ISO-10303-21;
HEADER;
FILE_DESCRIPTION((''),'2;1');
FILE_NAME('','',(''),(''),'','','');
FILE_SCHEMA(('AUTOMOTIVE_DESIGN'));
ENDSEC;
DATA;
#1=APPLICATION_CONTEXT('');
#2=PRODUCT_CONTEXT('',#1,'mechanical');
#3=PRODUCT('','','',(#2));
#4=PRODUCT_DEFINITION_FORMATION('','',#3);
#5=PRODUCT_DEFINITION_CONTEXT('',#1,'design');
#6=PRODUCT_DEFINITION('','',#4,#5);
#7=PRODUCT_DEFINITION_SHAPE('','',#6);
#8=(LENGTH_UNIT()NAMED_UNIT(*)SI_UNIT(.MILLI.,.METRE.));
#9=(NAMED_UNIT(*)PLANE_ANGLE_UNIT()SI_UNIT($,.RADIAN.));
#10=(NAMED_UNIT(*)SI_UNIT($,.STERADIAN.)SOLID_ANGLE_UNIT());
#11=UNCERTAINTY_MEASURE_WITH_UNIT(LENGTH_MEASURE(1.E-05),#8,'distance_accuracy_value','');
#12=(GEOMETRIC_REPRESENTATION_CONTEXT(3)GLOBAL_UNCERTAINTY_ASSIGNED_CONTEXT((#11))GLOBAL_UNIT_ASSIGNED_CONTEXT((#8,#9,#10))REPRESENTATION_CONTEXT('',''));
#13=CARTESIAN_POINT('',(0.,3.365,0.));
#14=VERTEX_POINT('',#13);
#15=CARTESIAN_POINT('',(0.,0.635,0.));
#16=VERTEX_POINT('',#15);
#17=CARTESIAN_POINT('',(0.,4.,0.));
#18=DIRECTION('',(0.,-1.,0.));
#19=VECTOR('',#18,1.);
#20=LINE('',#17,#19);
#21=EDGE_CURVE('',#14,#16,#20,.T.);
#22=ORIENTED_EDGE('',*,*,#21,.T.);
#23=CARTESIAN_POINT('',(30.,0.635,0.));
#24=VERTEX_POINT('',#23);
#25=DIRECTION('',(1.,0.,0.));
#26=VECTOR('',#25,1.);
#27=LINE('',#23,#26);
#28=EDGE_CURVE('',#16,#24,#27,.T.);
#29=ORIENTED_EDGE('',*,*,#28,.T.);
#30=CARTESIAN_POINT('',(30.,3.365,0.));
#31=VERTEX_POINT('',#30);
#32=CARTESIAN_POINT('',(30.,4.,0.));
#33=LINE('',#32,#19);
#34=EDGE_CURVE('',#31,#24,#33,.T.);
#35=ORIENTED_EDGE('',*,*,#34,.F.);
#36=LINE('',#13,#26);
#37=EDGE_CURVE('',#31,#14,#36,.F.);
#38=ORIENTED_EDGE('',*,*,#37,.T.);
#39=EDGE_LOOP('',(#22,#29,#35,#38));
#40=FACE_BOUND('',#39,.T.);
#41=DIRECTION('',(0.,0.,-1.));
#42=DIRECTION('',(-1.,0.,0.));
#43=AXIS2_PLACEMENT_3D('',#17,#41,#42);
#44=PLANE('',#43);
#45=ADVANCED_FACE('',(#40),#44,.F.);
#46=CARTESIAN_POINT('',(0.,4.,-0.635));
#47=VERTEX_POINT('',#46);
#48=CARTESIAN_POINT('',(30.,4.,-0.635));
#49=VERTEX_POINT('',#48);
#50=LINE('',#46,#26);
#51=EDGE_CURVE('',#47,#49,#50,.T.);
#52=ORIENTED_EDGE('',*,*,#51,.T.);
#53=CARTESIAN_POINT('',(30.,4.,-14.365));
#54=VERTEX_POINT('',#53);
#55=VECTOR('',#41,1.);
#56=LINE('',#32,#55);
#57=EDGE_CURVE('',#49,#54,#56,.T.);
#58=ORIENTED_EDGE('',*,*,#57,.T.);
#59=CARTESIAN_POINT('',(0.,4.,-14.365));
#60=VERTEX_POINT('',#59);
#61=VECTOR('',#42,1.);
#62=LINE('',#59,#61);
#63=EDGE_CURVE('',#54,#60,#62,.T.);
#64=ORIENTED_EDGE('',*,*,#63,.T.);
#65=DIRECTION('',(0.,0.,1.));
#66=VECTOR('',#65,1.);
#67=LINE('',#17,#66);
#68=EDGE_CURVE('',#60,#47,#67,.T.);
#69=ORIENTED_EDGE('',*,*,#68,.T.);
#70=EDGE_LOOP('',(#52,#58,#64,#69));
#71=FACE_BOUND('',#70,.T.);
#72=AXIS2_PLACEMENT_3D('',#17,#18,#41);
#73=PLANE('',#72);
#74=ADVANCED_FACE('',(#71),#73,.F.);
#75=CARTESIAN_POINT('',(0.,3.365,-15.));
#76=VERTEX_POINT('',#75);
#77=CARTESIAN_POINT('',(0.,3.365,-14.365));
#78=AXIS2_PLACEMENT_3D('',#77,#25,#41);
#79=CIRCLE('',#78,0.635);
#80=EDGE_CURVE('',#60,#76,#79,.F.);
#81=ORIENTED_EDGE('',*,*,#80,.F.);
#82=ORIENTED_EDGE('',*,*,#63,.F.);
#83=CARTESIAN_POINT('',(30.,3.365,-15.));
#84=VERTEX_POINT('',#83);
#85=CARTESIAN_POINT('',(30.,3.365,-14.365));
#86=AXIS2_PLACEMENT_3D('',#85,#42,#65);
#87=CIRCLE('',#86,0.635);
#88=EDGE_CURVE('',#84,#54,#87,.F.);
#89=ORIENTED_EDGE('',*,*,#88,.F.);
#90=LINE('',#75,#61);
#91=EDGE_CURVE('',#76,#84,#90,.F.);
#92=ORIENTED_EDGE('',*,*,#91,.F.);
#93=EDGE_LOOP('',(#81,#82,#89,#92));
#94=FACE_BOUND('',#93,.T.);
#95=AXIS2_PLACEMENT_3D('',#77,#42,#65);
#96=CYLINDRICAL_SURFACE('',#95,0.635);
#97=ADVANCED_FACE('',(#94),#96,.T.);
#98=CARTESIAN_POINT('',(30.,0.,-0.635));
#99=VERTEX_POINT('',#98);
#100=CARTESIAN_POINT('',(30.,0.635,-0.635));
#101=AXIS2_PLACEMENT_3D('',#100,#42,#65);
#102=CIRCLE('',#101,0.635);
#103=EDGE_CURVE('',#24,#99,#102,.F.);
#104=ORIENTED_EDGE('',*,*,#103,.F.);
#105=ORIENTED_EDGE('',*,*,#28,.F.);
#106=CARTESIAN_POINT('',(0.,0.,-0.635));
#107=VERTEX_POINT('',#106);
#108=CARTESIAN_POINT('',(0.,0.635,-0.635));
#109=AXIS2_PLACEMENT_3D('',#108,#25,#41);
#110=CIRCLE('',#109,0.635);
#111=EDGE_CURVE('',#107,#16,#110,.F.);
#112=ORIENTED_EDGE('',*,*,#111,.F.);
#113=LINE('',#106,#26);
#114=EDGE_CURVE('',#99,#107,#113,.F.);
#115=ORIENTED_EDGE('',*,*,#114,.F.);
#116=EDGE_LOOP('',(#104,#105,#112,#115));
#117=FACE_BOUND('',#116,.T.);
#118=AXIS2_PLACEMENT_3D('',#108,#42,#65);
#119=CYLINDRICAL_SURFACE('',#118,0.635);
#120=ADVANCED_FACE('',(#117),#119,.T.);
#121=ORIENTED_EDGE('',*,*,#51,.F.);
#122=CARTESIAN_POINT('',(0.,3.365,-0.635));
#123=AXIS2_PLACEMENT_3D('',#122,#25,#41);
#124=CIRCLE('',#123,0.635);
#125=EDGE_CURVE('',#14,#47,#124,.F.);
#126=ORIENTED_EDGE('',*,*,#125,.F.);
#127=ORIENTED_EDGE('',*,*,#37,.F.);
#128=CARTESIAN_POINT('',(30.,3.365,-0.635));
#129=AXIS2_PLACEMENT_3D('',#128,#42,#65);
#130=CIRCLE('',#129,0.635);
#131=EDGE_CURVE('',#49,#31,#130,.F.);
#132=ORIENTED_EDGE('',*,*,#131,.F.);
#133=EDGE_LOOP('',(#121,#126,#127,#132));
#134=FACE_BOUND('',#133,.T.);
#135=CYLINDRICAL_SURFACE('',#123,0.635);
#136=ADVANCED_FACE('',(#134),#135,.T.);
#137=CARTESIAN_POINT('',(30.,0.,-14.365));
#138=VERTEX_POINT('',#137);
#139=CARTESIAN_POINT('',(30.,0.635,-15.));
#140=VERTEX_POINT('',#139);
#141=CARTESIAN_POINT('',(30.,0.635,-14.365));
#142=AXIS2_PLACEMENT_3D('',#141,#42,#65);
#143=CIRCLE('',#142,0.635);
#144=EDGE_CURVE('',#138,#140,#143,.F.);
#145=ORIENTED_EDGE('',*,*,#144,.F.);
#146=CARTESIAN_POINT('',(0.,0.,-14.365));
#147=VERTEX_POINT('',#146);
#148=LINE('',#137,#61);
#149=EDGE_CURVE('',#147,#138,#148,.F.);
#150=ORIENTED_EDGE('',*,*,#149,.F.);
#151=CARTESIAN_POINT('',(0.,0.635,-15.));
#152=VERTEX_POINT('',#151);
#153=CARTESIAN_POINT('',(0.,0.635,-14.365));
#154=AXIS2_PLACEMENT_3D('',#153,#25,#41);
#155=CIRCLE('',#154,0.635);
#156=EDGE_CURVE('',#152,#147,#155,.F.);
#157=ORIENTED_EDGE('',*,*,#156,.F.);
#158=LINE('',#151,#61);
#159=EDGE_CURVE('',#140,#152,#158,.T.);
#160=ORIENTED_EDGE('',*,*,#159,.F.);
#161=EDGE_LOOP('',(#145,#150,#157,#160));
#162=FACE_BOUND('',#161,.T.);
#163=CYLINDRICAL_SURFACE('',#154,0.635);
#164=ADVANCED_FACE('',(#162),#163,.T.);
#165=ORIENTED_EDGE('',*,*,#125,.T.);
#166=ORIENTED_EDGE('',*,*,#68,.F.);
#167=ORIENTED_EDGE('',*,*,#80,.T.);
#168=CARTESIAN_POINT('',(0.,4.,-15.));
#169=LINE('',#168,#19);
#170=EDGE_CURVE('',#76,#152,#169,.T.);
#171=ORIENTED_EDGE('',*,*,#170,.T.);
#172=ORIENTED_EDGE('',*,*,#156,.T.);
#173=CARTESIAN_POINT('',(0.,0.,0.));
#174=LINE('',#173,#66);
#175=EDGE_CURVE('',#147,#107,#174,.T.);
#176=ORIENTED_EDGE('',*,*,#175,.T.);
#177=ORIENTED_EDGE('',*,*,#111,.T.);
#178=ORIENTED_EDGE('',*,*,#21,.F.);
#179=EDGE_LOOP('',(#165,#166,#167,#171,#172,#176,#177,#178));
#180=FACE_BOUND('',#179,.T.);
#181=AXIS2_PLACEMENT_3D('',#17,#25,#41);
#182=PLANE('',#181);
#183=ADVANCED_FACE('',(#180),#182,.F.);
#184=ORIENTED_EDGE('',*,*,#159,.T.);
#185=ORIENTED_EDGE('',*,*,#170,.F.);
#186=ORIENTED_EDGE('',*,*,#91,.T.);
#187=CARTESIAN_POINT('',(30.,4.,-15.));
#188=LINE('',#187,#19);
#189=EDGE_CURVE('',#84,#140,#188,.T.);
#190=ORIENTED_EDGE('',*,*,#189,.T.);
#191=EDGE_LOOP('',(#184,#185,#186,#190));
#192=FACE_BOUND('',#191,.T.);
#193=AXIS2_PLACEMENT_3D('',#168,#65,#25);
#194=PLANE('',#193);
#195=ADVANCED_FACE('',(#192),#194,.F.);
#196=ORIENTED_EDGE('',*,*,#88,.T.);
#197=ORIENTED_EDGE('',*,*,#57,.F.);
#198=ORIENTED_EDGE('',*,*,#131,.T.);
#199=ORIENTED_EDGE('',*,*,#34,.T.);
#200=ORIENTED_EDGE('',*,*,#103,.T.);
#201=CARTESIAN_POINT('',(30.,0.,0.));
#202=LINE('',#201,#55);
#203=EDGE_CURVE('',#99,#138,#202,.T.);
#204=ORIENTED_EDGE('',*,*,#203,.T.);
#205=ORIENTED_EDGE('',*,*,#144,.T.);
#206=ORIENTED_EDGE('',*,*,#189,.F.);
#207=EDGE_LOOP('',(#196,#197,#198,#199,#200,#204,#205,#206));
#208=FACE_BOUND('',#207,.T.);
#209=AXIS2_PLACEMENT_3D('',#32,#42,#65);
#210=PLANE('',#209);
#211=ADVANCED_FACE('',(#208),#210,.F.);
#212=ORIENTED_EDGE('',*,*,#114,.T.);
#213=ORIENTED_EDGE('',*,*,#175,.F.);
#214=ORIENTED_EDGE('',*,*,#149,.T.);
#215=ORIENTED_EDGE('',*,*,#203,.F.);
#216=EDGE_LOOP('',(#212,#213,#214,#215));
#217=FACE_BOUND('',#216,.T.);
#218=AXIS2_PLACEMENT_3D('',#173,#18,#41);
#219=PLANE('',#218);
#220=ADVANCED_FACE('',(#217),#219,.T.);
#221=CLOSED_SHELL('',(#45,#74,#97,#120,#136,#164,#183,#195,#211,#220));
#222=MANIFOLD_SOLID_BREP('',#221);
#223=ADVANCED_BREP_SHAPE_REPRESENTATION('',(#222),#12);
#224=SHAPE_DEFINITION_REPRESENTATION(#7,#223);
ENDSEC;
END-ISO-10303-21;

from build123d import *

# Parameters (mm, degrees)
SKETCH1_W           = 30
SKETCH1_H           = 15
BOSS_EXTRUDE1_DEPTH = 4
FILLET1_R           = 0.635


with BuildPart() as part:
    # Sketch1 → Boss-Extrude1 (new body)
    with BuildSketch(Plane(origin=(0, 0, 0), x_dir=(1, 0, 0), z_dir=(0, 1, 0))):
        with Locations((15, 7.5)):
            Rectangle(SKETCH1_W, SKETCH1_H)
    extrude(amount=BOSS_EXTRUDE1_DEPTH)

    # Fillet1
    fillet1_edges = [part.edges().sort_by_distance(p)[0] for p in [
        (15, 4, -15),
        (15, 0, -15),
        (15, 0, 0),
        (15, 4, 0),
    ]]
    fillet(fillet1_edges, radius=FILLET1_R)


solid = part.part
